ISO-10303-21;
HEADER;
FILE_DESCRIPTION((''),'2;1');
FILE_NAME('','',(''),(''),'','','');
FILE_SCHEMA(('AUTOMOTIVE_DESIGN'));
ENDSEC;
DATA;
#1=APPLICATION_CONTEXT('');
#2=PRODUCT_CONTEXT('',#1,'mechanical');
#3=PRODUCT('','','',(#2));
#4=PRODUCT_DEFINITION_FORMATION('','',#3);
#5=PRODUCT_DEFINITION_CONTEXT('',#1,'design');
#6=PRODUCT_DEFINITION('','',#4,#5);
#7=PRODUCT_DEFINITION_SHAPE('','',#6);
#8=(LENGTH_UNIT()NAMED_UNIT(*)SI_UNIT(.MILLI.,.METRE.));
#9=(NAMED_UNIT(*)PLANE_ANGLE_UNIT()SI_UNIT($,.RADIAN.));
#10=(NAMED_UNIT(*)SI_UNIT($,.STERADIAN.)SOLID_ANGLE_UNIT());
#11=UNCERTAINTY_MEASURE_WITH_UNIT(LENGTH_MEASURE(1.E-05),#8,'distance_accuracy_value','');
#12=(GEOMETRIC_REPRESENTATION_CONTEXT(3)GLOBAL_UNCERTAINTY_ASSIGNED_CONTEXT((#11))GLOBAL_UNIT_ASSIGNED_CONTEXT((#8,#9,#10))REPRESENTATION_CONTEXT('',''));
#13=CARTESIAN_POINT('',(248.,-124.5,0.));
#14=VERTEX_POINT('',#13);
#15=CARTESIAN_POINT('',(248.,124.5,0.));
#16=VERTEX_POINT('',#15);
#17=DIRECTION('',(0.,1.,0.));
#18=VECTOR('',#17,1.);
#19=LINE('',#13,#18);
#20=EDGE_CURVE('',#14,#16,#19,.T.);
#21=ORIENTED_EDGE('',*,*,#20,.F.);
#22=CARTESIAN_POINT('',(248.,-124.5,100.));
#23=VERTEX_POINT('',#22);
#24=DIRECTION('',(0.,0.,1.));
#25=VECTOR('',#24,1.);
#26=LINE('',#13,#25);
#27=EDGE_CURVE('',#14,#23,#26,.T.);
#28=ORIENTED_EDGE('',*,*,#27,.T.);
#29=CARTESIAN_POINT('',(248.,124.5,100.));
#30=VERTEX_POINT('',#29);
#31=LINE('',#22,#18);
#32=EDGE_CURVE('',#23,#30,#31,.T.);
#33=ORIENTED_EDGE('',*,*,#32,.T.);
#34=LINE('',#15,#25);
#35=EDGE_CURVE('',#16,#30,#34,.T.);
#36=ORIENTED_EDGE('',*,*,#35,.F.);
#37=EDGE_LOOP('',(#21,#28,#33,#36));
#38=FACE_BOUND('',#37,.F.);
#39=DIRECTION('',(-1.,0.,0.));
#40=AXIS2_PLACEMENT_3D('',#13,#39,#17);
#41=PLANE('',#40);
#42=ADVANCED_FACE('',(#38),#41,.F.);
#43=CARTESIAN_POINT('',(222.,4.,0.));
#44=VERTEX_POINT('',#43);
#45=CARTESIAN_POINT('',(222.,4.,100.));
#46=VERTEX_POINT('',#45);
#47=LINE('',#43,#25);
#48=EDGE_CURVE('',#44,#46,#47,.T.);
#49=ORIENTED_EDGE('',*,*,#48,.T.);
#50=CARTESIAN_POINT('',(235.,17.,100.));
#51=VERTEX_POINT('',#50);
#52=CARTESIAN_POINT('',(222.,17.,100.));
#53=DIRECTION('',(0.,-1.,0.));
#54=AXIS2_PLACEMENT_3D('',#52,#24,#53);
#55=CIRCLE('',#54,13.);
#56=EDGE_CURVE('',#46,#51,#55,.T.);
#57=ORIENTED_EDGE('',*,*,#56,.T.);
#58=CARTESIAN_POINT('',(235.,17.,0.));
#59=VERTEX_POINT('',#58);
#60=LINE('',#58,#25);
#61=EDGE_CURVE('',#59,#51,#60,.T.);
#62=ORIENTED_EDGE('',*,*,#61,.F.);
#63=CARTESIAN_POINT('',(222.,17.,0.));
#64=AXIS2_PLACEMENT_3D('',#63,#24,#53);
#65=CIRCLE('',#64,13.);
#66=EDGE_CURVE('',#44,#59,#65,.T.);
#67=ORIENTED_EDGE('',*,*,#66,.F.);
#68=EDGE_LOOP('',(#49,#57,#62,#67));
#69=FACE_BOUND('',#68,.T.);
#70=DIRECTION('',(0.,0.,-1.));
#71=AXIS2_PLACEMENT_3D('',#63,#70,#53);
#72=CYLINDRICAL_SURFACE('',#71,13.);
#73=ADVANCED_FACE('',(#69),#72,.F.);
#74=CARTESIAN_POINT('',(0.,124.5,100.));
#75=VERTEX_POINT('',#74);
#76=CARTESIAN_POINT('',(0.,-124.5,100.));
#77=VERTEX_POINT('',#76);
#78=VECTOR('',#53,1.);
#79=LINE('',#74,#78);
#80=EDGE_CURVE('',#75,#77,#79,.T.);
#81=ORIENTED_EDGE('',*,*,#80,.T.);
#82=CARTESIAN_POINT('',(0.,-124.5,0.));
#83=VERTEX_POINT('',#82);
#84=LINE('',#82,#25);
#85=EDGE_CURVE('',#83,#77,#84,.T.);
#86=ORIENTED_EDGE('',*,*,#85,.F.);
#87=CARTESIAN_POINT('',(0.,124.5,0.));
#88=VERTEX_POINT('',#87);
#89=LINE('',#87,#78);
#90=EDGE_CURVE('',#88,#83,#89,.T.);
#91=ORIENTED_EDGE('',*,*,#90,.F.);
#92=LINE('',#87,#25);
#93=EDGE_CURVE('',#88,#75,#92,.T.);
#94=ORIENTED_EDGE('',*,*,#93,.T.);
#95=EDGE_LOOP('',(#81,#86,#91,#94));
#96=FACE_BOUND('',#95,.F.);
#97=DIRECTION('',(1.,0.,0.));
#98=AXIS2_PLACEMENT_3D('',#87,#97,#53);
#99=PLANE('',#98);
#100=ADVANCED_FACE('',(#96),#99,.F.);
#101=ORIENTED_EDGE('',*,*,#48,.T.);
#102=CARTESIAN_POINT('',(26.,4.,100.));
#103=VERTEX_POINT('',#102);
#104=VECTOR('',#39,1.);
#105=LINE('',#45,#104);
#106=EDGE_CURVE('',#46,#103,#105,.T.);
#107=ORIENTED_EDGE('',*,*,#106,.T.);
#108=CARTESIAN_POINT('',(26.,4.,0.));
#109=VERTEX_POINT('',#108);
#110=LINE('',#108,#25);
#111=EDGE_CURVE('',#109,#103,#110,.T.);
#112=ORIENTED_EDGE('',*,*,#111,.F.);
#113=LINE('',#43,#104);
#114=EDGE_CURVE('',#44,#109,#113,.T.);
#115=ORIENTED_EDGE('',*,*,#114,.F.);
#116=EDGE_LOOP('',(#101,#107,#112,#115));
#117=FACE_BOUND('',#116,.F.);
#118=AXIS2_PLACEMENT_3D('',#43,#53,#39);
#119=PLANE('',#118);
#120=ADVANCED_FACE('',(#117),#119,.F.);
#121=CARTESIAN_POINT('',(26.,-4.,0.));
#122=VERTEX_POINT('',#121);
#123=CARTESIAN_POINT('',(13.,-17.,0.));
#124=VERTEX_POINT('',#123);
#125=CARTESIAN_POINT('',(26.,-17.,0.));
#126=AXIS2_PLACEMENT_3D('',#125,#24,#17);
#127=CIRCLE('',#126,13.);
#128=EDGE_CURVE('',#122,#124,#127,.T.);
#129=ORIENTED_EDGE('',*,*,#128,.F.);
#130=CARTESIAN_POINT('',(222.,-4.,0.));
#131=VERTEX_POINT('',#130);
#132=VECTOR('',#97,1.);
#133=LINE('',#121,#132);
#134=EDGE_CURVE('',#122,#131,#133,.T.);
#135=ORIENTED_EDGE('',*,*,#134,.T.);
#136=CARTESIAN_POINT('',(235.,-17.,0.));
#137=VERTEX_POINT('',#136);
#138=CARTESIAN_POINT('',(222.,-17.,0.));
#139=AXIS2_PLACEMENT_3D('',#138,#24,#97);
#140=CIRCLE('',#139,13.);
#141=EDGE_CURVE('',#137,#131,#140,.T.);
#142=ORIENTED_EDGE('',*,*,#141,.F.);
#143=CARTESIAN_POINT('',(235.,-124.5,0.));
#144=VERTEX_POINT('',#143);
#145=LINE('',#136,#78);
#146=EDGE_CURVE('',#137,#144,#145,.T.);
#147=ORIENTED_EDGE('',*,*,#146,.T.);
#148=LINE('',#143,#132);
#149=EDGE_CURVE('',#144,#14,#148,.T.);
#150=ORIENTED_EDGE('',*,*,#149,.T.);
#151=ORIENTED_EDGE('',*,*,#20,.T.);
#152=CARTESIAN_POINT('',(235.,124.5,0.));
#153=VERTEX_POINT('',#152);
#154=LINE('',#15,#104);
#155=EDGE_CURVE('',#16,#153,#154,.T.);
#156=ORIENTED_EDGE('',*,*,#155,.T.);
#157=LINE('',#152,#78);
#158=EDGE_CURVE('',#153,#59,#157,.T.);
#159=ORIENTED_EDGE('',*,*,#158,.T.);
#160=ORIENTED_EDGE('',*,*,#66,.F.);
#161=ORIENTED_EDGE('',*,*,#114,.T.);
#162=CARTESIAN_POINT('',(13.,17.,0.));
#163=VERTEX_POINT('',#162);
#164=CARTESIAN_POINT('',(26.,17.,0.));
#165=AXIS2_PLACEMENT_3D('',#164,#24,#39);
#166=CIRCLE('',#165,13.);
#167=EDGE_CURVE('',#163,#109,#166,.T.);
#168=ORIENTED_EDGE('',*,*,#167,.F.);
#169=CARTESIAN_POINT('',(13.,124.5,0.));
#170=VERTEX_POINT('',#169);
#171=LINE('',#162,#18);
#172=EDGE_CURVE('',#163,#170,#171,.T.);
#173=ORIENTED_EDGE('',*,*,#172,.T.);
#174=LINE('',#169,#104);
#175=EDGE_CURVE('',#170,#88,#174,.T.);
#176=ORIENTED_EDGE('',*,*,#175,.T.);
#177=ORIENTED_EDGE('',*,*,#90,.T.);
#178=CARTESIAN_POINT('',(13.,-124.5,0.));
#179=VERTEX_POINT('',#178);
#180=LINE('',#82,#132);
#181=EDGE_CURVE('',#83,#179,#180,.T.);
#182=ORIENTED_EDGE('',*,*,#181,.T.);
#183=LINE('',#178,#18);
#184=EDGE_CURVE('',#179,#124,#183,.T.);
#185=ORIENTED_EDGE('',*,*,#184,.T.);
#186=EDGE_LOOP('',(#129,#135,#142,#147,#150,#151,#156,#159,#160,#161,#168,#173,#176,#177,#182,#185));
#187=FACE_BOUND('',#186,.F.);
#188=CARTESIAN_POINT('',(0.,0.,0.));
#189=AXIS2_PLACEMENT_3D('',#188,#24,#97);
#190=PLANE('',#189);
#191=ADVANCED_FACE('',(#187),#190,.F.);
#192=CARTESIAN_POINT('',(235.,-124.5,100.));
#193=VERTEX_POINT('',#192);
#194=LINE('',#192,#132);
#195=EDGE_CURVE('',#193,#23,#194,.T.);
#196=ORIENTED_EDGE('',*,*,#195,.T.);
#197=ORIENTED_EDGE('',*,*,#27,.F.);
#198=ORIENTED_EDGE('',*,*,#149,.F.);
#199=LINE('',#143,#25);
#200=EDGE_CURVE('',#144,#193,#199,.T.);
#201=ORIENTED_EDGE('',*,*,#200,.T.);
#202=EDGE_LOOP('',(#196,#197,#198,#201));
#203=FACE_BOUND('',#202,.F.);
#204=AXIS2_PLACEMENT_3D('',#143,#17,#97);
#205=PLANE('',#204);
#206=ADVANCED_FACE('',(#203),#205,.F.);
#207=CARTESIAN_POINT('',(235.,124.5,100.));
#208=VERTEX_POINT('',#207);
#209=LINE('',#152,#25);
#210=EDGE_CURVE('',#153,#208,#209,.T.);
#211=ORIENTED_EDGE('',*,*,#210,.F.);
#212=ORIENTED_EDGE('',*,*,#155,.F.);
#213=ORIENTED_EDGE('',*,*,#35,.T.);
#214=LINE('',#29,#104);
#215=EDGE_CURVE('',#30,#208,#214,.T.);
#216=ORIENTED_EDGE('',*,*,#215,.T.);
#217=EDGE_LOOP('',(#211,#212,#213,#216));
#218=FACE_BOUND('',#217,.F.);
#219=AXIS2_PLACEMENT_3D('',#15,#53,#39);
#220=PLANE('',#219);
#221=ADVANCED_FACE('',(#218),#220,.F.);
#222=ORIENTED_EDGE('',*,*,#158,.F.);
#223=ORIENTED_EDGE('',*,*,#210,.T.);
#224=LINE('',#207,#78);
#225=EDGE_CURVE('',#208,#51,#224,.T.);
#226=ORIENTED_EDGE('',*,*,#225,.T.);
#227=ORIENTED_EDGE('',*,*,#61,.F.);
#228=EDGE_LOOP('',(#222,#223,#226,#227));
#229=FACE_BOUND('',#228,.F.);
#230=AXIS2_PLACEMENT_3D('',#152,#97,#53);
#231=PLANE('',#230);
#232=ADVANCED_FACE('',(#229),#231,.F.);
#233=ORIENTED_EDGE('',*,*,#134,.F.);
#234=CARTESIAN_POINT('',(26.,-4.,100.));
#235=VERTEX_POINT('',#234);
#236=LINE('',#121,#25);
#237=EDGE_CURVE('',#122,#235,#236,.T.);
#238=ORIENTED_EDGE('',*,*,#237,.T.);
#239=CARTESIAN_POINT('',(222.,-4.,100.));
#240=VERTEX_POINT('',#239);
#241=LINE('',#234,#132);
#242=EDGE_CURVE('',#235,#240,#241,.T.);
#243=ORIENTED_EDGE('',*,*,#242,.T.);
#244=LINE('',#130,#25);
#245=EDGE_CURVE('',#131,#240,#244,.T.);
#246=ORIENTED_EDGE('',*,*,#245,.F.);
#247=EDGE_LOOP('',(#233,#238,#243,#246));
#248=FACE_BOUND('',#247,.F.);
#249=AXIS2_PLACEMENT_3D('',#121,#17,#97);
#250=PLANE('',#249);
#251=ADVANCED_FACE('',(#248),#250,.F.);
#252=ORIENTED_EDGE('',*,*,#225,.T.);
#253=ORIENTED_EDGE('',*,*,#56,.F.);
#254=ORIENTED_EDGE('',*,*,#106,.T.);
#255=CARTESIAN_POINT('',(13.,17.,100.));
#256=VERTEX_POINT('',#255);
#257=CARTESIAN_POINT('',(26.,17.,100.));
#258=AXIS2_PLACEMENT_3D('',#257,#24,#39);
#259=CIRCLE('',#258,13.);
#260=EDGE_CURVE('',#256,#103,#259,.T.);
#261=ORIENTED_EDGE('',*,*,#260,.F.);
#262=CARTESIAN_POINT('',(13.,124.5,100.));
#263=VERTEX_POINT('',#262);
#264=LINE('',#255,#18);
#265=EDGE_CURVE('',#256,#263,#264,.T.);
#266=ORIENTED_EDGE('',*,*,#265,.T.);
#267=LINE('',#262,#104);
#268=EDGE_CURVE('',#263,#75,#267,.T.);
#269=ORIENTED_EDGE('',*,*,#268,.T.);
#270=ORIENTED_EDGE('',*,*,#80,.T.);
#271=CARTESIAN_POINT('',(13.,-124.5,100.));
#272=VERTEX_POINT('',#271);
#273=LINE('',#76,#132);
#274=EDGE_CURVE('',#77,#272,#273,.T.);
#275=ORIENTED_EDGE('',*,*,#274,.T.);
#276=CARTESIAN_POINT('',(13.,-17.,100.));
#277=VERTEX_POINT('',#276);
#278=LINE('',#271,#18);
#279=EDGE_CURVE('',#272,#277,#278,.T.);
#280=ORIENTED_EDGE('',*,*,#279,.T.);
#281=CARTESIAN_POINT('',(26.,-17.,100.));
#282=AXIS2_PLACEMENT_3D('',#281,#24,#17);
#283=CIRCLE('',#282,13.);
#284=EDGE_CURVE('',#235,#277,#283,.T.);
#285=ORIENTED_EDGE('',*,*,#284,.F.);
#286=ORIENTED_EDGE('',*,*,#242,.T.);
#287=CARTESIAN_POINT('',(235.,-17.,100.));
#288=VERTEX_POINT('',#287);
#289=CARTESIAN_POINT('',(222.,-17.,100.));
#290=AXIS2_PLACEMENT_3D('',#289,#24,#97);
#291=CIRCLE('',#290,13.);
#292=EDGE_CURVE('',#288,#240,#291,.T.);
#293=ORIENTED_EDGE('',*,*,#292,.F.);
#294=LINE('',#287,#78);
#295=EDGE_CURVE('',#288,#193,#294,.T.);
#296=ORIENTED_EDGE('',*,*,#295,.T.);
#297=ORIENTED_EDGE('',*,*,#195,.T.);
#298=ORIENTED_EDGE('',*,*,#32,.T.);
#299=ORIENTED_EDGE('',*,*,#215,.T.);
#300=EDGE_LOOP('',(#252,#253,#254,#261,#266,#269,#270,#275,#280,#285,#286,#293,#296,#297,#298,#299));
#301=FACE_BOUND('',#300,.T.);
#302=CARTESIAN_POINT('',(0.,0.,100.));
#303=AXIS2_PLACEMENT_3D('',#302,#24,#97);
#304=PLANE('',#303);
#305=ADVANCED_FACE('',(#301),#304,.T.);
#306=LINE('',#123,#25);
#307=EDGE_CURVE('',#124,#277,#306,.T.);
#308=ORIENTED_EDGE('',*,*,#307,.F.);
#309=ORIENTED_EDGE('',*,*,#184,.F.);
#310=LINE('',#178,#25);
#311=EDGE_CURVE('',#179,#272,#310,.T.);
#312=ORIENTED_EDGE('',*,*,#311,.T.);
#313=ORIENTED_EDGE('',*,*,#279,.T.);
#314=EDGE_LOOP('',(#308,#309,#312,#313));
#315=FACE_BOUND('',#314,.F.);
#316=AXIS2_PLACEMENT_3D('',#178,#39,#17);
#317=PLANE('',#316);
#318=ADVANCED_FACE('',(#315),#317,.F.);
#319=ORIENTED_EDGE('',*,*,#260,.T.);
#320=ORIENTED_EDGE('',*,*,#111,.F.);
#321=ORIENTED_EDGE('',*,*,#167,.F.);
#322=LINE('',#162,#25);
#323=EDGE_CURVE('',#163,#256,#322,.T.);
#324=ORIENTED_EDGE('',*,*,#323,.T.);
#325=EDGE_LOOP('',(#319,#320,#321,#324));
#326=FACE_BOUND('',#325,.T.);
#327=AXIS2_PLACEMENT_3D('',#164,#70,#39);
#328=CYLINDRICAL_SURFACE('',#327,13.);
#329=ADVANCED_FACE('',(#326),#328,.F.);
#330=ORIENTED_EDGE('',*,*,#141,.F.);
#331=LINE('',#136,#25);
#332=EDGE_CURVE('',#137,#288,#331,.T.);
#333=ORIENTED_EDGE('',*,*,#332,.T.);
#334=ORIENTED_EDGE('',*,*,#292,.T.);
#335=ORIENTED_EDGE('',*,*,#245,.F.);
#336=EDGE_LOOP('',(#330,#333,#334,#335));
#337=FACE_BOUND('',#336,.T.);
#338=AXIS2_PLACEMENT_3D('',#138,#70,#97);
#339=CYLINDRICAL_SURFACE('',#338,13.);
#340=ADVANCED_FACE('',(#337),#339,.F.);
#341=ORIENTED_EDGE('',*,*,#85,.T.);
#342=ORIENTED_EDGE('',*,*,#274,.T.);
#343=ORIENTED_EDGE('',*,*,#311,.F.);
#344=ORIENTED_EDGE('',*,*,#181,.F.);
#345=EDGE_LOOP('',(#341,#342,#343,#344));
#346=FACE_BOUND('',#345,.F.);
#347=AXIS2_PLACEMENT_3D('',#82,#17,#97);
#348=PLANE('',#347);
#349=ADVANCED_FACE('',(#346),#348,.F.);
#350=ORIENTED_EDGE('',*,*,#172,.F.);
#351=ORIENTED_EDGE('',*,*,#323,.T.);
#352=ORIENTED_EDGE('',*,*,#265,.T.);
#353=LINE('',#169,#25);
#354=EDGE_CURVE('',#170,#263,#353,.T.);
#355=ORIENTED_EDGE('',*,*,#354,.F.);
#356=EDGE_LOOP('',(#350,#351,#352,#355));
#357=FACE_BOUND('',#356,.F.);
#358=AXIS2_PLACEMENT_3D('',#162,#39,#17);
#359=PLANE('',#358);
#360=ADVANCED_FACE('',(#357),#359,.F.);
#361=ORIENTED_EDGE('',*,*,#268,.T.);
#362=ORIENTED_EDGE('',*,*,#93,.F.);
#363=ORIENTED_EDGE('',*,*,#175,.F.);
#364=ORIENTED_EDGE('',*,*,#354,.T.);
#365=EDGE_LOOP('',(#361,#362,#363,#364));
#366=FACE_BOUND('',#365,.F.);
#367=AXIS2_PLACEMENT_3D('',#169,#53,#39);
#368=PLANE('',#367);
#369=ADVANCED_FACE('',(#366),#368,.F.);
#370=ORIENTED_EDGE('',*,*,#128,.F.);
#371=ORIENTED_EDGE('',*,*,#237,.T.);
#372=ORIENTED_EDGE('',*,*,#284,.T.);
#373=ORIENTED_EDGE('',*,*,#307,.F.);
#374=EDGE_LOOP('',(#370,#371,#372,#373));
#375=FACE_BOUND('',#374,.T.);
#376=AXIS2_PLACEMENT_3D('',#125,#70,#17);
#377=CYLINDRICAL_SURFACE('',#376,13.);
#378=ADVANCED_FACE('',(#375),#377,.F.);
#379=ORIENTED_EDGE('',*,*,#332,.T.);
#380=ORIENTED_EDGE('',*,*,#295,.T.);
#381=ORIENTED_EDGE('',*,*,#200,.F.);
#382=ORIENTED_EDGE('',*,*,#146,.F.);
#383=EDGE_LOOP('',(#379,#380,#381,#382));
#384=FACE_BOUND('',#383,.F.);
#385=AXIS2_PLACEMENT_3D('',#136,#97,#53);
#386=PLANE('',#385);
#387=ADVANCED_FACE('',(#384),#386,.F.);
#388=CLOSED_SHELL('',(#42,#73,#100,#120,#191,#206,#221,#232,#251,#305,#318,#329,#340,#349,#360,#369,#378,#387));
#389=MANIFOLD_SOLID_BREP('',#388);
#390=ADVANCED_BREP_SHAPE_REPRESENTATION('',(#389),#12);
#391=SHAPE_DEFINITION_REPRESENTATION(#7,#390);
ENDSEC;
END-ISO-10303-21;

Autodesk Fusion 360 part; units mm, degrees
sketch "スケッチ1" plane through (0, 0, 0) normal (0, 0, 1) x (1, 0, 0)
  line L0 (0, 124.5) -> (0, -124.5)
  line L1 (248, -124.5) -> (248, 124.5)
  line L2 (235, -17) -> (235, -124.5)
  line L3 (13, -124.5) -> (13, -17)
  line L4 (0, -124.5) -> (13, -124.5)
  line L5 (235, -124.5) -> (248, -124.5)
  line L6 (222, 4) -> (26, 4)
  line L7 (26, -4) -> (222, -4)
  line L8 (13, 17) -> (13, 124.5)
  line L9 (13, 124.5) -> (0, 124.5)
  line L10 (235, 124.5) -> (235, 17)
  line L11 (248, 124.5) -> (235, 124.5)
  arc A0 (26, -4) -> (13, -17) centre (26, -17) ccw
  arc A1 (13, 17) -> (26, 4) centre (26, 17) ccw
  arc A2 (222, 4) -> (235, 17) centre (222, 17) ccw
  arc A3 (235, -17) -> (222, -4) centre (222, -17) ccw
extrude "押し出し1" add sketch "スケッチ1" along normal blind 100
